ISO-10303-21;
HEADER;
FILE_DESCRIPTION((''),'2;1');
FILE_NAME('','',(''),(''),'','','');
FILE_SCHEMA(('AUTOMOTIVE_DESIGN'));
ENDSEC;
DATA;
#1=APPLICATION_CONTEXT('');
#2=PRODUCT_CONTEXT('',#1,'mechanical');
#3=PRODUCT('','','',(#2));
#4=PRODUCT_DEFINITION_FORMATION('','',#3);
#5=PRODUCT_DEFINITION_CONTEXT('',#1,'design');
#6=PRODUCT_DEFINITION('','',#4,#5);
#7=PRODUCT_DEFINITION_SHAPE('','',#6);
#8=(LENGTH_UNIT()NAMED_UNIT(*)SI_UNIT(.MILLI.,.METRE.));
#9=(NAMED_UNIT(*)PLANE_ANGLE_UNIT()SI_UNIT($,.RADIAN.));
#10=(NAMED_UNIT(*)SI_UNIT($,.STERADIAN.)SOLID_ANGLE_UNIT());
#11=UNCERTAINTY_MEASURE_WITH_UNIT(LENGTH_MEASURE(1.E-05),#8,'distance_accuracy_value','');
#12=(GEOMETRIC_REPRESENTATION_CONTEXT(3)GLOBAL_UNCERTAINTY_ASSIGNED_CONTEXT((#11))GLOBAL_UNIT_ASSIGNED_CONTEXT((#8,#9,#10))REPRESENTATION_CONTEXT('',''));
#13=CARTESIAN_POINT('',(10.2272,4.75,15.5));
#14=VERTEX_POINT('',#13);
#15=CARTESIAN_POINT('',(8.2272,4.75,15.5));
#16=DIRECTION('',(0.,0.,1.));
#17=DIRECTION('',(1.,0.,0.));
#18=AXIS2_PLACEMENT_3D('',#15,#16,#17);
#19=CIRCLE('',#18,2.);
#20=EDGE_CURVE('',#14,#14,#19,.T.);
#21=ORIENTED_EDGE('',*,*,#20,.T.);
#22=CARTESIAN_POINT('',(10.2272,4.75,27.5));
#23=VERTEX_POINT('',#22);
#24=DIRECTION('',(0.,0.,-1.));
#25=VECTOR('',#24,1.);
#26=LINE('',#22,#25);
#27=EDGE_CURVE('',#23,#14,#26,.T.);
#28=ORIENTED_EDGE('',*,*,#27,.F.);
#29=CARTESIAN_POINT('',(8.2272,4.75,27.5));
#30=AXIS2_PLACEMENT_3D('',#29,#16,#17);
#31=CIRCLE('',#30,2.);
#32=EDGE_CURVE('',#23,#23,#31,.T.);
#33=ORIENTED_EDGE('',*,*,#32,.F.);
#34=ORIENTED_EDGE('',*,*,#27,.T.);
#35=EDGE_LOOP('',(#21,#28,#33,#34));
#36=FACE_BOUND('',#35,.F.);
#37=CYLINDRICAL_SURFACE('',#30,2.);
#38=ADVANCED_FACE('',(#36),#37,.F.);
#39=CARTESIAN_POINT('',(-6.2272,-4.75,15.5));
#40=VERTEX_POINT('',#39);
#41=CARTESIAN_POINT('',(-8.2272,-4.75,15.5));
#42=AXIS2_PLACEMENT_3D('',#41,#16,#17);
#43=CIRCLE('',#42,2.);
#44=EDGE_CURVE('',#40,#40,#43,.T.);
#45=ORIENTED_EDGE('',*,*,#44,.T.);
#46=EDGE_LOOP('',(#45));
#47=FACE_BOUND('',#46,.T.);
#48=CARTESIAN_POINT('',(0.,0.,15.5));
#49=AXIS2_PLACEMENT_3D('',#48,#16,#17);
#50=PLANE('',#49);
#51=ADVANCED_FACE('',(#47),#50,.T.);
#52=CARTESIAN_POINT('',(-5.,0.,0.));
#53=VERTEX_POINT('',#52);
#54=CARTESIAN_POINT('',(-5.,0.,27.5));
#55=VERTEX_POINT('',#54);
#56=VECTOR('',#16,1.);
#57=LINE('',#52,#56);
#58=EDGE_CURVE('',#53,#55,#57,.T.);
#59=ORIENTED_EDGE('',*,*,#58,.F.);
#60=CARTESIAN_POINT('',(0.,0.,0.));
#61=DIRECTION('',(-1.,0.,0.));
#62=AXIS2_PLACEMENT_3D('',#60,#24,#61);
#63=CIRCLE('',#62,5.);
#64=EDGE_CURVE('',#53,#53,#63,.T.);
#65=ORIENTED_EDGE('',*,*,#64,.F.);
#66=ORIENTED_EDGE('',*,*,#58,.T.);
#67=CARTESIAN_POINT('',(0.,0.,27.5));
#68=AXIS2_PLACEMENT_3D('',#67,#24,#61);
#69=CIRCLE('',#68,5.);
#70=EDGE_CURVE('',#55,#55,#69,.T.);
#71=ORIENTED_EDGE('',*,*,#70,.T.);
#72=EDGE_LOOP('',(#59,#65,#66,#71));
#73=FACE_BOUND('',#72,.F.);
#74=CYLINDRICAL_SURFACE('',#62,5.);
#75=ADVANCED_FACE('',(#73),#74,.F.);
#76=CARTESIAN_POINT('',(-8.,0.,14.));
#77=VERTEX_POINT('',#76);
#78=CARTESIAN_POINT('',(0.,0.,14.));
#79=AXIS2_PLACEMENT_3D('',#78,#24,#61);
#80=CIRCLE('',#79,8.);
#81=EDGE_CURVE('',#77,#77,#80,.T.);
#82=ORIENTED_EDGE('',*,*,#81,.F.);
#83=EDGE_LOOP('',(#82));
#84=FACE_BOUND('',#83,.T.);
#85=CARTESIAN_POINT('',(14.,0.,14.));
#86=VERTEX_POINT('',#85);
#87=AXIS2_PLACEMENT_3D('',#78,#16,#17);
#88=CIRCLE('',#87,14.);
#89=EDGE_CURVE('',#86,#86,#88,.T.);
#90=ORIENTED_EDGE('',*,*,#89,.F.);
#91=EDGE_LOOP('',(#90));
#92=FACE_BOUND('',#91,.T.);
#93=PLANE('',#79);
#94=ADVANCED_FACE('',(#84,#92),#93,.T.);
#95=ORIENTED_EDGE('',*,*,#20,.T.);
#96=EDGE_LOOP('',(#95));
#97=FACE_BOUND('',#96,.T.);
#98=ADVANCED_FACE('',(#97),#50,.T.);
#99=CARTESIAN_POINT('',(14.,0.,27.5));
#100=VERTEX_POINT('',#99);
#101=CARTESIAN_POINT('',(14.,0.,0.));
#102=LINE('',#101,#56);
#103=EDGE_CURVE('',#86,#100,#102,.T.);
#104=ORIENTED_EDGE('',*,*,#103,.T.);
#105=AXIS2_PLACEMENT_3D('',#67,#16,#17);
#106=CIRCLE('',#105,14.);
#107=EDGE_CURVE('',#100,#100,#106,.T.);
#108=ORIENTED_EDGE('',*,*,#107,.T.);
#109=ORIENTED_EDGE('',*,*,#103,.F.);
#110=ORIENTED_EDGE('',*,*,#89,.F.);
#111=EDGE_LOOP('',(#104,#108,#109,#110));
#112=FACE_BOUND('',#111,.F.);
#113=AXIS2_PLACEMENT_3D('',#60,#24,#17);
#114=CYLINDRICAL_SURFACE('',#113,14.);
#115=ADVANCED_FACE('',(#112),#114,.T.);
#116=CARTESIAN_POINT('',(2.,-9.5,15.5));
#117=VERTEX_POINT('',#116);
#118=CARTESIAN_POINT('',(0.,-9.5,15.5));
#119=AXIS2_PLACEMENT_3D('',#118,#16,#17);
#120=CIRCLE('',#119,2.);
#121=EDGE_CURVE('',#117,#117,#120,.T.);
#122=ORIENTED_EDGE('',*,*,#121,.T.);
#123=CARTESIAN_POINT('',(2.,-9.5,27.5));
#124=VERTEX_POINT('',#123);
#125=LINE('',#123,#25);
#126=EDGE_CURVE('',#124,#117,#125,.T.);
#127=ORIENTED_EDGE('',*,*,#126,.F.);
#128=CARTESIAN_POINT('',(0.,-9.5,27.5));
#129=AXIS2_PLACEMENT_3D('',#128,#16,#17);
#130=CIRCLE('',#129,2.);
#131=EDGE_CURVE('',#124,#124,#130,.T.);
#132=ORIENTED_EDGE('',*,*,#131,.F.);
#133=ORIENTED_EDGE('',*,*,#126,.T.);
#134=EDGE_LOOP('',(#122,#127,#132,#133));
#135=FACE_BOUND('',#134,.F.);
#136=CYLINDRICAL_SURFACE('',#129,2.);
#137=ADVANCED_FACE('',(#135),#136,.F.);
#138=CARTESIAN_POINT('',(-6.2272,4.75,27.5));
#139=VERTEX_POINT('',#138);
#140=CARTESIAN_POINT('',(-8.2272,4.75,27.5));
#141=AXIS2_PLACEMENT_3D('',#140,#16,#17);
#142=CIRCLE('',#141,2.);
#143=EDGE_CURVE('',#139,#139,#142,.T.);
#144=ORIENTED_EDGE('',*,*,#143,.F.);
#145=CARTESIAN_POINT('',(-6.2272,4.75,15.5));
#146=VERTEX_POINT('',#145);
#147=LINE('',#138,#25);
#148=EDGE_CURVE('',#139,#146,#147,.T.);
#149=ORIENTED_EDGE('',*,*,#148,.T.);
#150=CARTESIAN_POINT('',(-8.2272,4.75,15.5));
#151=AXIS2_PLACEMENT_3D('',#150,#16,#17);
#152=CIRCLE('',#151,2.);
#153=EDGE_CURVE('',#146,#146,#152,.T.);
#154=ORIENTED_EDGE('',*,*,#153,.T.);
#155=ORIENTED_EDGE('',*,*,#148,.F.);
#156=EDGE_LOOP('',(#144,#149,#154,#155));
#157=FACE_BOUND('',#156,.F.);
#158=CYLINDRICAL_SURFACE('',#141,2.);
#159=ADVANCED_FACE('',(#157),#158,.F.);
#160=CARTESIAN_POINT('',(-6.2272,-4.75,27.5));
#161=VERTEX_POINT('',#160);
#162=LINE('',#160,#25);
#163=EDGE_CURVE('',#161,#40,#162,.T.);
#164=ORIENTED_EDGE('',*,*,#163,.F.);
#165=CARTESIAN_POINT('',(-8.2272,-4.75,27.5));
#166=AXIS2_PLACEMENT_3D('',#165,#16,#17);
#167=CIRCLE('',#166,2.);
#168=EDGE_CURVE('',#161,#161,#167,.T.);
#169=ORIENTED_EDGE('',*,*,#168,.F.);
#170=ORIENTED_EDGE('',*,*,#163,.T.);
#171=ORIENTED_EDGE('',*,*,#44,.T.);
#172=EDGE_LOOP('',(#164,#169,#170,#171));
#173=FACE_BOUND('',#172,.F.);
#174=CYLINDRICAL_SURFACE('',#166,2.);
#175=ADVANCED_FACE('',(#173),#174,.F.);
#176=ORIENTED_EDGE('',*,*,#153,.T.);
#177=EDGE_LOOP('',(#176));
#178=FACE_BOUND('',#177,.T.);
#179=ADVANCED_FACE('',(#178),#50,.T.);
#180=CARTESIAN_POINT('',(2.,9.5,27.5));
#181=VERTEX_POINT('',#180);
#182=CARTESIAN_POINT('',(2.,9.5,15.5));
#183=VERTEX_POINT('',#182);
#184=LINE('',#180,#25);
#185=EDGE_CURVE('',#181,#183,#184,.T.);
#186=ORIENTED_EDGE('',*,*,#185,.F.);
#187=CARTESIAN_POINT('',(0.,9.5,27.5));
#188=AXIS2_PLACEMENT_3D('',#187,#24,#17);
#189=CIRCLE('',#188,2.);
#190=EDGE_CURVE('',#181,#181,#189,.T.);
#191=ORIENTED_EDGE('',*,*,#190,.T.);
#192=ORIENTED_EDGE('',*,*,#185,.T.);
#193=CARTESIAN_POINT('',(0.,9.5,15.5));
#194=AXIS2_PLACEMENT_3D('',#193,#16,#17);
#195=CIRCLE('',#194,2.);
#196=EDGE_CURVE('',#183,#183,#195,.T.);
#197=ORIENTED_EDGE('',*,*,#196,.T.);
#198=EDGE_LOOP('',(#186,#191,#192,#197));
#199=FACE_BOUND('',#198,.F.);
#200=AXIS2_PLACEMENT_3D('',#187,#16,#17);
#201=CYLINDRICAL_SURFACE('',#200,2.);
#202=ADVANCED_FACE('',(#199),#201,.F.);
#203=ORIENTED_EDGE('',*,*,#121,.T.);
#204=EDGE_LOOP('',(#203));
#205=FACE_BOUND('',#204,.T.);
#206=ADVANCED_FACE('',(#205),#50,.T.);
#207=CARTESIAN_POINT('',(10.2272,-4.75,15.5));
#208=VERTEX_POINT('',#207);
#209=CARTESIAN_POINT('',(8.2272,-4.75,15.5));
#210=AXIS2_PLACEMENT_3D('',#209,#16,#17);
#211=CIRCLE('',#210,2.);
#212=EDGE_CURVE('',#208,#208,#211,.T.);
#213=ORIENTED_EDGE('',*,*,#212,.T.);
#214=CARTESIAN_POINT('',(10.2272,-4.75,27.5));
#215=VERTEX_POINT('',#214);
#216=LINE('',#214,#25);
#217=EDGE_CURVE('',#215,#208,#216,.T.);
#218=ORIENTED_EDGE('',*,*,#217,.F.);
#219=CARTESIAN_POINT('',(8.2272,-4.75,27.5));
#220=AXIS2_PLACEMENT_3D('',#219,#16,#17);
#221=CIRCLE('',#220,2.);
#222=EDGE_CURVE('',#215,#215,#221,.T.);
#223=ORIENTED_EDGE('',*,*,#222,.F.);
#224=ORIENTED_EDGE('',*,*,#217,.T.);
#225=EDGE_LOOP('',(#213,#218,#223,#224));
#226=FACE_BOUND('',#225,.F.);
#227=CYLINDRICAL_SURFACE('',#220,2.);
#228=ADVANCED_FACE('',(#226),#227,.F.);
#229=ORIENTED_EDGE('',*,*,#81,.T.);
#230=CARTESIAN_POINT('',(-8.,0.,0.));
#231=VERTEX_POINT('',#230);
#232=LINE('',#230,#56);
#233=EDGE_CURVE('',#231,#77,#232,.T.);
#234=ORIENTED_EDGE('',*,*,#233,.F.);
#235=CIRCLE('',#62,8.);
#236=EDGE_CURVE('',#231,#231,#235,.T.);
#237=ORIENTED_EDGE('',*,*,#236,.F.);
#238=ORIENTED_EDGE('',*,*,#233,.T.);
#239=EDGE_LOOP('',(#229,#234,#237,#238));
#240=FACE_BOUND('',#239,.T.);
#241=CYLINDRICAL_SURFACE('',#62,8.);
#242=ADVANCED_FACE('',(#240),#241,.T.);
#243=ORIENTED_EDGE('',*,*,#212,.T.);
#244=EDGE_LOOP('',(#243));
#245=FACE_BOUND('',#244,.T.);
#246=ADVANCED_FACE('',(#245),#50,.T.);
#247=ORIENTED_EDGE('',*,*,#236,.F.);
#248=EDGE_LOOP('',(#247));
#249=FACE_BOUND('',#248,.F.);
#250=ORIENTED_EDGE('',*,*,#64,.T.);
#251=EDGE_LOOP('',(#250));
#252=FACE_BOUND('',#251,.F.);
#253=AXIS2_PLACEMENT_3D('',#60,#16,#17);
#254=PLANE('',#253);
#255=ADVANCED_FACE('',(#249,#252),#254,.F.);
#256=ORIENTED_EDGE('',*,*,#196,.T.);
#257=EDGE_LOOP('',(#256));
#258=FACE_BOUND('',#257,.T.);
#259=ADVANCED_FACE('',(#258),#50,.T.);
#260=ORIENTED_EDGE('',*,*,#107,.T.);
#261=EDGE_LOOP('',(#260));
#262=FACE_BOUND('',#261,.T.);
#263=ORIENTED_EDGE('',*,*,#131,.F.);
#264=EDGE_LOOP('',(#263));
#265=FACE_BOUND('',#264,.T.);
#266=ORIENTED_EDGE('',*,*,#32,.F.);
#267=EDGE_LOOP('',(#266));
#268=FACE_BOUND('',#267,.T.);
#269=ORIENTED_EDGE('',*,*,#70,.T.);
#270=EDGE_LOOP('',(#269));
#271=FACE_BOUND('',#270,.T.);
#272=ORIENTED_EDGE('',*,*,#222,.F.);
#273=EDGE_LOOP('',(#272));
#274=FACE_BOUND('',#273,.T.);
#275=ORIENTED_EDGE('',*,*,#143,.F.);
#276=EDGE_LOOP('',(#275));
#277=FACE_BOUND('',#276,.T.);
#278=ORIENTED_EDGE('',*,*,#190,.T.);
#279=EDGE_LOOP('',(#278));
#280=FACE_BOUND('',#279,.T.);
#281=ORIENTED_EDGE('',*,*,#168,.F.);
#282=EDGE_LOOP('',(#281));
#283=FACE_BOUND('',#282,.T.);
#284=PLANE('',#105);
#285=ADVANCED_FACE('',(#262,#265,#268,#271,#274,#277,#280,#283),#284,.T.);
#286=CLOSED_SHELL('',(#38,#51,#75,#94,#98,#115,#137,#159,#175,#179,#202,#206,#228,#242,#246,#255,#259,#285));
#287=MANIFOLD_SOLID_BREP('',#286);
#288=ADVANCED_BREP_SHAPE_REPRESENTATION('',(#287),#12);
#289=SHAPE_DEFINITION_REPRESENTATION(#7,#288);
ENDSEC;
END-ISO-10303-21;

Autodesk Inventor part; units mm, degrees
ref_plane "YZ Plane" through (0, 0, 0) normal (1, 0, 0) x (0, 1, 0)
ref_plane "XZ Plane" through (0, 0, 0) normal (0, 1, 0) x (-1, 0, 0)
ref_plane "XY Plane" through (0, 0, 0) normal (0, 0, 1) x (1, 0, 0)
sketch "Szkic1" plane through (0, 0, 0) normal (0, 0, 1) x (1, 0, 0)
  circle A0 centre (0, 0) radius 14
  dimension "d0" = 28
extrude "Wyciągnięcie proste1" add sketch "Szkic1" along normal blind 27.5
sketch "Szkic2" plane through (0, 0, 0) normal (0, 0, -1) x (-1, 0, 0)
  circle A0 centre (0, 0) radius 8
  circle A1 centre (0, 0) radius 14 projected
  dimension "d3" = 16
extrude "Wyciągnięcie proste2" cut sketch "Szkic2" against normal blind 14
sketch "Szkic3" plane through (0, 0, 0) normal (0, 0, -1) x (-1, 0, 0)
  circle A0 centre (0, 0) radius 8 projected
  circle A1 centre (0, 0) radius 5
  dimension "d6" = 10
extrude "Wyciągnięcie proste3" cut sketch "Szkic3" against normal up to next contours A1
sketch "Szkic4" plane through (0, 0, 27.5) normal (0, 0, 1) x (1, 0, 0)
  line L0 (0, 0) -> (0, 9.5)
  circle A0 centre (0, 9.5) radius 2
  circle A1 centre (0, 0) radius 14 projected
  circle A2 centre (8.2272, 4.75) radius 2
  circle A3 centre (8.2272, -4.75) radius 2
  circle A4 centre (0, -9.5) radius 2
  circle A5 centre (-8.2272, -4.75) radius 2
  circle A6 centre (-8.2272, 4.75) radius 2
  dimension "d9" = 9.5
  dimension "d10" = 4
  dimension "d13" = 360
extrude "Wyciągnięcie proste4" cut sketch "Szkic4" against normal blind 12 contours A0 | A2 | A3 | A4 | A5 | A6
thread "Gwint1" size "M4x0.7" class "6H" standard "ANSI Metric M Profile" full length
thread "Gwint2" size "M4x0.7" class "6H" standard "ANSI Metric M Profile" full length
thread "Gwint3" size "M4x0.7" class "6H" standard "ANSI Metric M Profile" full length
thread "Gwint4" size "M4x0.7" class "6H" standard "ANSI Metric M Profile" full length
thread "Gwint5" size "M4x0.7" class "6H" standard "ANSI Metric M Profile" full length
thread "Gwint6" size "M4x0.7" class "6H" standard "ANSI Metric M Profile" full length
properties part number "Tuleja zaciskowo rozprężna RCK BK 80 10x16 Clampex"
